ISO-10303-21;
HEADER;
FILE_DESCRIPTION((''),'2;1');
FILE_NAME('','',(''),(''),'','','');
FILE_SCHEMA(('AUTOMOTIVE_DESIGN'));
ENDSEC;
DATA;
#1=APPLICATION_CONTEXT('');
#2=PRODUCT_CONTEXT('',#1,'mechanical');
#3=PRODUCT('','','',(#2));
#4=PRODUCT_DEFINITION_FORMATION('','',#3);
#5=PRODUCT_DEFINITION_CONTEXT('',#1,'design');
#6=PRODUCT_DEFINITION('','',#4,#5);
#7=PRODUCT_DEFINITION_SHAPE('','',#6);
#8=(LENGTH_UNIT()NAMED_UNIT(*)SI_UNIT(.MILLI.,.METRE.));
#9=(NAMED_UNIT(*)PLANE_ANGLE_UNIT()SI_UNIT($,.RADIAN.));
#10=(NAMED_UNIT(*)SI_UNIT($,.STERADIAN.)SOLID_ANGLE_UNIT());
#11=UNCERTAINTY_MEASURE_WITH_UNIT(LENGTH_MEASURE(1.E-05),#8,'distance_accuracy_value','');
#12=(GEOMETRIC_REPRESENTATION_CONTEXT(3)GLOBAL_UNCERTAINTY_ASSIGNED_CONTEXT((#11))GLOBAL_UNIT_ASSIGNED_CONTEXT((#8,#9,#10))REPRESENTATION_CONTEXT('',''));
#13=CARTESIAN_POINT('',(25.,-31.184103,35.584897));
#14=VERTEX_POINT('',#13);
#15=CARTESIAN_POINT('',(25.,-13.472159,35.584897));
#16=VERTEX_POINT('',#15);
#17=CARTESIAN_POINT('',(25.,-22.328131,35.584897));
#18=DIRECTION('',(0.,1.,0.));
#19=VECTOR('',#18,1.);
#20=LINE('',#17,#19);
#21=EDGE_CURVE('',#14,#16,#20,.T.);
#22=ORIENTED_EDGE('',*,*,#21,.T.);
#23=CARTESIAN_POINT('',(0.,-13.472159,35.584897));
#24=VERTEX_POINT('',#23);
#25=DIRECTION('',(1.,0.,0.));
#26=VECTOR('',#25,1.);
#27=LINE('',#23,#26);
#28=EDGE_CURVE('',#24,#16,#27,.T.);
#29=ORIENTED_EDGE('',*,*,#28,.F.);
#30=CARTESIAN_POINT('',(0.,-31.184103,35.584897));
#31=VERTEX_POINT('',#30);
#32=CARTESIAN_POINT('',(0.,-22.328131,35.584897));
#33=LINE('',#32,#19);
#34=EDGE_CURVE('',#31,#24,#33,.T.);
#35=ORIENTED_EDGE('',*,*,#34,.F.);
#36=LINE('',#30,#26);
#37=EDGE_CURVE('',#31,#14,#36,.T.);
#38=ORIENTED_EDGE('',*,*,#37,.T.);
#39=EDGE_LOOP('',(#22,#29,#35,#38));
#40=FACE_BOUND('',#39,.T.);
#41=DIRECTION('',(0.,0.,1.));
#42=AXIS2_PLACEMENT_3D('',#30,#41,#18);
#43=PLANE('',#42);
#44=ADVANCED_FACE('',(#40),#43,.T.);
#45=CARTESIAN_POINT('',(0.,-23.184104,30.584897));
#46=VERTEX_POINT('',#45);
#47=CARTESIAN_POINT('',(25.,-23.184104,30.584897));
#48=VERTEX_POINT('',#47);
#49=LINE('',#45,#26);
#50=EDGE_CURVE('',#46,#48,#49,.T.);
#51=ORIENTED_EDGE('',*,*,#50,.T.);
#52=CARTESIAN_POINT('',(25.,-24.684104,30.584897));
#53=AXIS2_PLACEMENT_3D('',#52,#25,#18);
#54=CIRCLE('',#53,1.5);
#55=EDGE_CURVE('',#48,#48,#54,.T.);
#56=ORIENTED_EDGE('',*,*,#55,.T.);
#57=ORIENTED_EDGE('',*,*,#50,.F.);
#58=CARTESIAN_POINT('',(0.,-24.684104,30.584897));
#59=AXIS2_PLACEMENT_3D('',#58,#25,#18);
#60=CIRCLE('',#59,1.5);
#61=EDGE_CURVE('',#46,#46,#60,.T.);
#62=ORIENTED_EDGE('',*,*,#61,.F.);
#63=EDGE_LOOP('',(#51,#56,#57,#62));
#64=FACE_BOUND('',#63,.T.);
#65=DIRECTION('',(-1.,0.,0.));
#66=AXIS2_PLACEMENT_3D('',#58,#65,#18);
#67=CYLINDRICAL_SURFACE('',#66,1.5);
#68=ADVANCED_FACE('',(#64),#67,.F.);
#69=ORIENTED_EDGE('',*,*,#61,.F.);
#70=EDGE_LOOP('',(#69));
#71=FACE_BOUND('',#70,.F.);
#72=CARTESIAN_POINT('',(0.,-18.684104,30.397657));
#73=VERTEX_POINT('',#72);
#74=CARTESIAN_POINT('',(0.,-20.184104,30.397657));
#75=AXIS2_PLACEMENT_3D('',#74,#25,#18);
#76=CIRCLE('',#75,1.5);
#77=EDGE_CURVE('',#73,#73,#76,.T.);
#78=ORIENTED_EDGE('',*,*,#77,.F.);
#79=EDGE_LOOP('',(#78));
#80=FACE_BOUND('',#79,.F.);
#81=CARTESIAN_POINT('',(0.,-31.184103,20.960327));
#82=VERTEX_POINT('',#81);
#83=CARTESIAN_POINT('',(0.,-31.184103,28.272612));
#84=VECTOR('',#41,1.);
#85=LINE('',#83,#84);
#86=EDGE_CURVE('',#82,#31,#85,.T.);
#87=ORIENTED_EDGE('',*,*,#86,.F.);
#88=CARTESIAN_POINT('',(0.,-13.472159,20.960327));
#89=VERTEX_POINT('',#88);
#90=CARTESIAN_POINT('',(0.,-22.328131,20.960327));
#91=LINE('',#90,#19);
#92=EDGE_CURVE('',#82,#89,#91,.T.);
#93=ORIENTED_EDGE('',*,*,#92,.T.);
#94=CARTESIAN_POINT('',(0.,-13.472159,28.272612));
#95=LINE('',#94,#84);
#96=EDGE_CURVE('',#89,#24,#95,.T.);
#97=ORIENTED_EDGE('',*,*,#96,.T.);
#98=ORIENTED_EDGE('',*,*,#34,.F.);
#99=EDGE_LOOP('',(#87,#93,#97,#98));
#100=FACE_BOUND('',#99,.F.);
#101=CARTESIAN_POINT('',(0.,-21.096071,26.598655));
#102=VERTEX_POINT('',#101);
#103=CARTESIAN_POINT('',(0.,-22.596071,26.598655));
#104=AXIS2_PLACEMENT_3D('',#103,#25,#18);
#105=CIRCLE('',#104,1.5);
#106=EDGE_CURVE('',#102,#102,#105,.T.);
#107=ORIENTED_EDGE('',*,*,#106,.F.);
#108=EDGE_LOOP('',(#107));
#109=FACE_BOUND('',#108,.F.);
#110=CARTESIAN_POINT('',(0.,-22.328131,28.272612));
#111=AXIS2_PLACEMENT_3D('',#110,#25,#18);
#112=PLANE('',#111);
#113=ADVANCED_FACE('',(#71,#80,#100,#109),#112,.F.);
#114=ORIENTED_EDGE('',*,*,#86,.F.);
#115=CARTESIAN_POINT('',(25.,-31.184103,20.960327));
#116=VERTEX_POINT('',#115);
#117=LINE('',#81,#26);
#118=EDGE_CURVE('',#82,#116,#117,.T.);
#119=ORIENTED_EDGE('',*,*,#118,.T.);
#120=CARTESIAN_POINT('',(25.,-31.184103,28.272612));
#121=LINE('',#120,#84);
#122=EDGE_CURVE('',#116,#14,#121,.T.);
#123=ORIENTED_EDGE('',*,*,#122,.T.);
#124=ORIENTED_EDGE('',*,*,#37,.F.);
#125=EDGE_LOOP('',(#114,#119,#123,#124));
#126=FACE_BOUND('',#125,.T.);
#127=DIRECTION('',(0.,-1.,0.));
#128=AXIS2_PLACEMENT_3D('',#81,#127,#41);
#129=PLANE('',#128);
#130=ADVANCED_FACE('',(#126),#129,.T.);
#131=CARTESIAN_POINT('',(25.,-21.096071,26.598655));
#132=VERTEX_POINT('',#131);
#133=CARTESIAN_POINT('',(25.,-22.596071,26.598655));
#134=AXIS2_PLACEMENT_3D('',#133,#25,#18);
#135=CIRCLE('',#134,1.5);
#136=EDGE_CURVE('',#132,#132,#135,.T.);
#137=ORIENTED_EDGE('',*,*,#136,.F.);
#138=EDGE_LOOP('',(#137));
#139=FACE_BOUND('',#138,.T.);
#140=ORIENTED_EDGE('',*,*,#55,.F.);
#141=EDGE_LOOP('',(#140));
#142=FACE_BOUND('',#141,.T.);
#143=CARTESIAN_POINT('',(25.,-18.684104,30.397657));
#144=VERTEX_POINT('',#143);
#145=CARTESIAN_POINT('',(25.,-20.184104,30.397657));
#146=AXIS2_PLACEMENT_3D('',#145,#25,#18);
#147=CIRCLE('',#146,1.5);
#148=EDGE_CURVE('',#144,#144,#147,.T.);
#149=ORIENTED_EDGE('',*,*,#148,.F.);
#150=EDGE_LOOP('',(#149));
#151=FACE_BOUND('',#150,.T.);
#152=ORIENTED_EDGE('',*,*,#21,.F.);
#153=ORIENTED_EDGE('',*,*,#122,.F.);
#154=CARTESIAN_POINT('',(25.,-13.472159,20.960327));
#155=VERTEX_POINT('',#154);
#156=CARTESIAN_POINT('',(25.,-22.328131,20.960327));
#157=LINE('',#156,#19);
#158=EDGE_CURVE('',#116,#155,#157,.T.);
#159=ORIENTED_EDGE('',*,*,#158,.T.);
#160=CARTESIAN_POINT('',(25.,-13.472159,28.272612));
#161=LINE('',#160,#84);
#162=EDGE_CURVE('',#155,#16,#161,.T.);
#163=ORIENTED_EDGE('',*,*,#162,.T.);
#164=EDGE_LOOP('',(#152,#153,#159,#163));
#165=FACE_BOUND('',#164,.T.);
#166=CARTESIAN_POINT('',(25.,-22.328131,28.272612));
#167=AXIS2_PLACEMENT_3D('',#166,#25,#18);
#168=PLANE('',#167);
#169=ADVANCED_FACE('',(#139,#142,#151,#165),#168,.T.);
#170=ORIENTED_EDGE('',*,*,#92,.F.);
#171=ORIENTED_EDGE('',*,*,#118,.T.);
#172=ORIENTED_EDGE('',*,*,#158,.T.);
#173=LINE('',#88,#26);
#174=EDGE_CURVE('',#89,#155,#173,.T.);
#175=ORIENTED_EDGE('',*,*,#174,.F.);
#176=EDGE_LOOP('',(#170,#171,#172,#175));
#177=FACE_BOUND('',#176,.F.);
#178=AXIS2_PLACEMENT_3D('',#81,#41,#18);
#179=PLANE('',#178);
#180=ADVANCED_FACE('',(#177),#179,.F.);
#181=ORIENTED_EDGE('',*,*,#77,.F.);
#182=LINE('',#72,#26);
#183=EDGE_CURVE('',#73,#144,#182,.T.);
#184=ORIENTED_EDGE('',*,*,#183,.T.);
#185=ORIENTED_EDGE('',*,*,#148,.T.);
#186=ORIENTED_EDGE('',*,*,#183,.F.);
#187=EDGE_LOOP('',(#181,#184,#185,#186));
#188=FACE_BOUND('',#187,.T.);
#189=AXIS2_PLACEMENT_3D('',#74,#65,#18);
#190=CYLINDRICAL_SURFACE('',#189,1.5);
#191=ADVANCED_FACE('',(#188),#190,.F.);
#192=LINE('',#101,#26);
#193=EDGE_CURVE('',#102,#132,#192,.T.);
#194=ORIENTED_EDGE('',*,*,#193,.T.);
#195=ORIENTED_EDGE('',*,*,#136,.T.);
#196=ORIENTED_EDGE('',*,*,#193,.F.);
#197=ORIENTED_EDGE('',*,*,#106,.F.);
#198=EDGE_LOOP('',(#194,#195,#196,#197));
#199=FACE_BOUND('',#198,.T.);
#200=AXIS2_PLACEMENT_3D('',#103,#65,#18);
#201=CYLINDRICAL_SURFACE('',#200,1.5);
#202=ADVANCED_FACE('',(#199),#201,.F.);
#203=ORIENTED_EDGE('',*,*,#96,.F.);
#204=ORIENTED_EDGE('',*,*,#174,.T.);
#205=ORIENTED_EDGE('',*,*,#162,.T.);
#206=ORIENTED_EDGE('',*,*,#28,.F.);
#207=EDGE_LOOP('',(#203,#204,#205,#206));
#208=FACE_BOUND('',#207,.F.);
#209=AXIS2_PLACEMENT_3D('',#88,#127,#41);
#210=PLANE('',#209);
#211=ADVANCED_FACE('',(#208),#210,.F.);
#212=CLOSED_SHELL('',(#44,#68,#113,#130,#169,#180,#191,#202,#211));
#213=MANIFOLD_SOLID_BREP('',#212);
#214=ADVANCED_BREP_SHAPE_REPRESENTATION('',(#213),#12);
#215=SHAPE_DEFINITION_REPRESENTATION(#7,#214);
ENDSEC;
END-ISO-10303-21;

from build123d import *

# Parameters (mm, degrees)
F0_W     = 17.711945
F0_H     = 14.62457
F0_R     = 1.5
F1_DEPTH = 25


with BuildPart() as f1:
    # F0 (on Right) → F1 (new body)
    with BuildSketch(Plane.YZ):
        with Locations((-22.328131, 28.272612)):
            Rectangle(F0_W, F0_H)
        with Locations((-22.596071, 26.598655)):
            Circle(F0_R, mode=Mode.SUBTRACT)
        with Locations((-24.684104, 30.584897)):
            Circle(F0_R, mode=Mode.SUBTRACT)
        with Locations((-20.184104, 30.397657)):
            Circle(F0_R, mode=Mode.SUBTRACT)
    extrude(amount=F1_DEPTH)


solid = f1.part
